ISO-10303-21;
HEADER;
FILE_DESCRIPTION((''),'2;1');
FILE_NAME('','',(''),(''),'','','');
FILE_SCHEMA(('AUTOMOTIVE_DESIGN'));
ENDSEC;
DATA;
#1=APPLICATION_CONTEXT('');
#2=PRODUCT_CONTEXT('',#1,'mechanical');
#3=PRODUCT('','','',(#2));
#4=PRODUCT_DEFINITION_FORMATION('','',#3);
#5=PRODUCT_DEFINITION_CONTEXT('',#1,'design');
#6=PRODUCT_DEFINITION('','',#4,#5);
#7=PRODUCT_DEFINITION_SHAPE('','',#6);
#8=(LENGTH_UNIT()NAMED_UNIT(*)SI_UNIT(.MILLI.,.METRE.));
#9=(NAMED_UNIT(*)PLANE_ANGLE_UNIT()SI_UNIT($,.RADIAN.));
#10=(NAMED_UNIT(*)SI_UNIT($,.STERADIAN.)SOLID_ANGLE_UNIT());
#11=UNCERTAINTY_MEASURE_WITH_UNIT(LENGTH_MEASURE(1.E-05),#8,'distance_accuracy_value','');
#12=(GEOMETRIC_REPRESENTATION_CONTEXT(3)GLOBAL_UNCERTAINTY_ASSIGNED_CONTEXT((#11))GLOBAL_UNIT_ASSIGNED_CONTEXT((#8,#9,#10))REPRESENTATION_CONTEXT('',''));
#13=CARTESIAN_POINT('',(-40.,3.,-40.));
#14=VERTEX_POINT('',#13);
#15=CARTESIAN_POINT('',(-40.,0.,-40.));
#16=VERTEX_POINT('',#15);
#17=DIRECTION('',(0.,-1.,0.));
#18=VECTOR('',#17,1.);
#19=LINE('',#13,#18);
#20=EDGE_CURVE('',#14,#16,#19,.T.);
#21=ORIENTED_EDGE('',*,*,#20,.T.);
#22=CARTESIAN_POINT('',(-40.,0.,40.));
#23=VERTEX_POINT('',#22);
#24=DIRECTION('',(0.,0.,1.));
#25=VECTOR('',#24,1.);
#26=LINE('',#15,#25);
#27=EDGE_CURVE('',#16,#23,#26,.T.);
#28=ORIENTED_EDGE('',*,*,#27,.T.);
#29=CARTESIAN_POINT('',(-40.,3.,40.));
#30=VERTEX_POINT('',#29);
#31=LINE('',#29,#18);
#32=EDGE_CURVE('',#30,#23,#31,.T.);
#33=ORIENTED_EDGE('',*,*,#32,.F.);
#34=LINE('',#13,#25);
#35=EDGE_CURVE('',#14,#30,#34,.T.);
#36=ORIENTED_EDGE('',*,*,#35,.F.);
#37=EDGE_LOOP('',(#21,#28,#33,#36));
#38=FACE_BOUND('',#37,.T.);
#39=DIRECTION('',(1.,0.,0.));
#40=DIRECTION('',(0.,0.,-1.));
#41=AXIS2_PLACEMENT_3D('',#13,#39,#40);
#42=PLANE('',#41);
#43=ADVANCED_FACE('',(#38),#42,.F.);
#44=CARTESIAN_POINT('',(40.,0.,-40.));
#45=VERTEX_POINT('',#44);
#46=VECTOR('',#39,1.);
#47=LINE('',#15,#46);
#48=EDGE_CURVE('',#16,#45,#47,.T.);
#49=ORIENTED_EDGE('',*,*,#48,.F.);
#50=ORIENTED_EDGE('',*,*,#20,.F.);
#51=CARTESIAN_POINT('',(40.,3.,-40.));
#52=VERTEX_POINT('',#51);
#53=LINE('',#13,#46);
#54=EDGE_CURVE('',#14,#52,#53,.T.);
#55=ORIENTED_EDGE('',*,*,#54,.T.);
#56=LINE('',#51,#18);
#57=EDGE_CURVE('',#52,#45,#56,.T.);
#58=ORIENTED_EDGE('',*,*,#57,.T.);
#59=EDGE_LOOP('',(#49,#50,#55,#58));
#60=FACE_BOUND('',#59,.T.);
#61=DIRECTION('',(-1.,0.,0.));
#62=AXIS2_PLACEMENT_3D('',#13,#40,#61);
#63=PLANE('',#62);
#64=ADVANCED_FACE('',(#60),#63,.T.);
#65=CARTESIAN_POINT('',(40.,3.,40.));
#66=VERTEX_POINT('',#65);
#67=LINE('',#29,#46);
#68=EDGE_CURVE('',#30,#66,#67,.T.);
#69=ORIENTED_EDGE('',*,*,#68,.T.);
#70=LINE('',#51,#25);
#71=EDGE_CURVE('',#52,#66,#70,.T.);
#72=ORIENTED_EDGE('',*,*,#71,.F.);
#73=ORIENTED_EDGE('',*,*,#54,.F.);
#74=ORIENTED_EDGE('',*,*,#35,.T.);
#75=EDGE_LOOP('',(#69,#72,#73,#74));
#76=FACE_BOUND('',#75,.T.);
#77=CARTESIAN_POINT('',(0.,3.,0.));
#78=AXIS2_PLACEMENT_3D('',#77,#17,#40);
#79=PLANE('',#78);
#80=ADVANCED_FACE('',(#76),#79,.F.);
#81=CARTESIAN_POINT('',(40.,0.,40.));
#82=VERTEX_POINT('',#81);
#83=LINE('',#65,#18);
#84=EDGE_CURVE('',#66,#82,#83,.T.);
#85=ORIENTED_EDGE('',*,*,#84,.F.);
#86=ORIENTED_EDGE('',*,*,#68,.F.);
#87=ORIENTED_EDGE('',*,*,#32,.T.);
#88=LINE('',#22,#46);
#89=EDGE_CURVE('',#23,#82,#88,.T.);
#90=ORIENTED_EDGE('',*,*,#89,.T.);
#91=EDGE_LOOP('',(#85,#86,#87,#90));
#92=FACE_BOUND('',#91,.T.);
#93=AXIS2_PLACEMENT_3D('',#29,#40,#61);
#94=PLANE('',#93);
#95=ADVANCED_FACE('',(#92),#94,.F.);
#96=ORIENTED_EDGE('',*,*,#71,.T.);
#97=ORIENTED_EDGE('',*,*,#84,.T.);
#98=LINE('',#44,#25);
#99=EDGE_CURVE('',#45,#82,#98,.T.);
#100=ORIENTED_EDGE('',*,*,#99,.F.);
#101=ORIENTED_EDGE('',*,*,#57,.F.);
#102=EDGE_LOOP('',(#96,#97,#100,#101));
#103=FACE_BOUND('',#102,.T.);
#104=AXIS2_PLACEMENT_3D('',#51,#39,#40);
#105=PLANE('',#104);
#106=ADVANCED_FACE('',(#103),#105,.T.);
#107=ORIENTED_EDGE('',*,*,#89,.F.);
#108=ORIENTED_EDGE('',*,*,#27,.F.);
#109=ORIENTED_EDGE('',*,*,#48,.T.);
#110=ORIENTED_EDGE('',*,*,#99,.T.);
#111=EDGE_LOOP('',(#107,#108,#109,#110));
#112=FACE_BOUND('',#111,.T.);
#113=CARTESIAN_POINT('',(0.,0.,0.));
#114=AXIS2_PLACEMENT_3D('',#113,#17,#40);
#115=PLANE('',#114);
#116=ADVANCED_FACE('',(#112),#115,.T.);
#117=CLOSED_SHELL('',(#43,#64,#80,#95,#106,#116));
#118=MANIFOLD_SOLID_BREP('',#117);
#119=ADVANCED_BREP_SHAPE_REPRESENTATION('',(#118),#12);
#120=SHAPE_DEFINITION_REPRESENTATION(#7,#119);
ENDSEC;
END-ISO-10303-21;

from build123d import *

# Parameters (mm, degrees)
SKETCH_1_W      = 80
SKETCH_1_H      = 80
EXTRUDE_1_DEPTH = 3


with BuildPart() as part:
    # 草图1 → 凸台-拉伸1 (new body)
    with BuildSketch(Plane(origin=(0, 0, 0), x_dir=(1, 0, 0), z_dir=(0, 1, 0))):
        Rectangle(SKETCH_1_W, SKETCH_1_H)
    extrude(amount=EXTRUDE_1_DEPTH)


solid = part.part
